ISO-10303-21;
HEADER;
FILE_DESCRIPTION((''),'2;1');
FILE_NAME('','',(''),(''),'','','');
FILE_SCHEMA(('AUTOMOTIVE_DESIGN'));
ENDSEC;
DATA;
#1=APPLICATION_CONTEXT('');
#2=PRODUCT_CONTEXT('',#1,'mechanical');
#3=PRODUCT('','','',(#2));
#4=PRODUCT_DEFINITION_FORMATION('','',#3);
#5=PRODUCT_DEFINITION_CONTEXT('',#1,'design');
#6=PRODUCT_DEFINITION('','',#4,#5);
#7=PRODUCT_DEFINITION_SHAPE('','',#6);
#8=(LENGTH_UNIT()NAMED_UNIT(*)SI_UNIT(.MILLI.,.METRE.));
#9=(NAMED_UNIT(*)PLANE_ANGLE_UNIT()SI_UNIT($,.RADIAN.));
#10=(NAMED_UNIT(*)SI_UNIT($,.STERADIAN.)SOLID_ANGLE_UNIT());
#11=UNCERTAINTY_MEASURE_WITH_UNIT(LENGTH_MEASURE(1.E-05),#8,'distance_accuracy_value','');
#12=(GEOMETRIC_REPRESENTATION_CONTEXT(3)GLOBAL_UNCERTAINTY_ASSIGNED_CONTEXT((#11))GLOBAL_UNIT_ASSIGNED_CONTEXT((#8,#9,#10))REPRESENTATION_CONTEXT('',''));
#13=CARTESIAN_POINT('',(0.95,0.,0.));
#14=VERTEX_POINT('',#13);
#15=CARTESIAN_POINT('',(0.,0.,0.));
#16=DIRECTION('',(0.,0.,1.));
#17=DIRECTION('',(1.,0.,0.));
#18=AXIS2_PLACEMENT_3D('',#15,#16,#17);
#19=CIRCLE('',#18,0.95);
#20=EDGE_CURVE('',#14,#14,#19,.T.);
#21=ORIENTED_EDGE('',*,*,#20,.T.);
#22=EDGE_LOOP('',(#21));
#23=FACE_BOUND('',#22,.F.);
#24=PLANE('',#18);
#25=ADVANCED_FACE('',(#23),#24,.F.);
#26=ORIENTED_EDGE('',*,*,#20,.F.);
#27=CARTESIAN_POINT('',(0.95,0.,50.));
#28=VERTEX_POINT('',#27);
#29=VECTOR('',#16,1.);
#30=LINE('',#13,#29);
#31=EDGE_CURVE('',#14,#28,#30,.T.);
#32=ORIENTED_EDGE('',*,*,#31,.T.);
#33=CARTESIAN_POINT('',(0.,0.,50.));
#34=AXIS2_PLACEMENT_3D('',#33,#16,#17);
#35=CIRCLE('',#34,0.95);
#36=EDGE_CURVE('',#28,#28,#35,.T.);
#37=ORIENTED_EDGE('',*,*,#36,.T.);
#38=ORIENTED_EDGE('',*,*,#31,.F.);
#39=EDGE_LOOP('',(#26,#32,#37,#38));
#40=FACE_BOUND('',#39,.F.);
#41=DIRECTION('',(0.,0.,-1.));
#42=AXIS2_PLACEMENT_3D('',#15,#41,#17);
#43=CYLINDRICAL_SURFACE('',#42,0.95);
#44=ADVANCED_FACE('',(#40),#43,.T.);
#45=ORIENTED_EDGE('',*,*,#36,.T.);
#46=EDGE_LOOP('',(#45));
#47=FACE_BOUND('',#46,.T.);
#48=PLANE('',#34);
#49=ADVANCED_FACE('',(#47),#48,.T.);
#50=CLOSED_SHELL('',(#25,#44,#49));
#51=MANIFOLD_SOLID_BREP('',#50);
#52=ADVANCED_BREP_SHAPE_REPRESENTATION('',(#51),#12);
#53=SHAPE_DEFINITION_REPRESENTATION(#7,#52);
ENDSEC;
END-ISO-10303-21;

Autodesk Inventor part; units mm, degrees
ref_plane "YZ Plane" through (0, 0, 0) normal (1, 0, 0) x (0, 1, 0)
ref_plane "XZ Plane" through (0, 0, 0) normal (0, 1, 0) x (-1, 0, 0)
ref_plane "XY Plane" through (0, 0, 0) normal (0, 0, 1) x (1, 0, 0)
sketch "Sketch1" plane through (0, 0, 0) normal (0, 0, 1) x (1, 0, 0)
  circle A0 centre (0, 0) radius 0.95
  dimension "d0" = 1.9
extrude "Extrusion1" add sketch "Sketch1" along normal blind 50
properties part number "mini_vara"
